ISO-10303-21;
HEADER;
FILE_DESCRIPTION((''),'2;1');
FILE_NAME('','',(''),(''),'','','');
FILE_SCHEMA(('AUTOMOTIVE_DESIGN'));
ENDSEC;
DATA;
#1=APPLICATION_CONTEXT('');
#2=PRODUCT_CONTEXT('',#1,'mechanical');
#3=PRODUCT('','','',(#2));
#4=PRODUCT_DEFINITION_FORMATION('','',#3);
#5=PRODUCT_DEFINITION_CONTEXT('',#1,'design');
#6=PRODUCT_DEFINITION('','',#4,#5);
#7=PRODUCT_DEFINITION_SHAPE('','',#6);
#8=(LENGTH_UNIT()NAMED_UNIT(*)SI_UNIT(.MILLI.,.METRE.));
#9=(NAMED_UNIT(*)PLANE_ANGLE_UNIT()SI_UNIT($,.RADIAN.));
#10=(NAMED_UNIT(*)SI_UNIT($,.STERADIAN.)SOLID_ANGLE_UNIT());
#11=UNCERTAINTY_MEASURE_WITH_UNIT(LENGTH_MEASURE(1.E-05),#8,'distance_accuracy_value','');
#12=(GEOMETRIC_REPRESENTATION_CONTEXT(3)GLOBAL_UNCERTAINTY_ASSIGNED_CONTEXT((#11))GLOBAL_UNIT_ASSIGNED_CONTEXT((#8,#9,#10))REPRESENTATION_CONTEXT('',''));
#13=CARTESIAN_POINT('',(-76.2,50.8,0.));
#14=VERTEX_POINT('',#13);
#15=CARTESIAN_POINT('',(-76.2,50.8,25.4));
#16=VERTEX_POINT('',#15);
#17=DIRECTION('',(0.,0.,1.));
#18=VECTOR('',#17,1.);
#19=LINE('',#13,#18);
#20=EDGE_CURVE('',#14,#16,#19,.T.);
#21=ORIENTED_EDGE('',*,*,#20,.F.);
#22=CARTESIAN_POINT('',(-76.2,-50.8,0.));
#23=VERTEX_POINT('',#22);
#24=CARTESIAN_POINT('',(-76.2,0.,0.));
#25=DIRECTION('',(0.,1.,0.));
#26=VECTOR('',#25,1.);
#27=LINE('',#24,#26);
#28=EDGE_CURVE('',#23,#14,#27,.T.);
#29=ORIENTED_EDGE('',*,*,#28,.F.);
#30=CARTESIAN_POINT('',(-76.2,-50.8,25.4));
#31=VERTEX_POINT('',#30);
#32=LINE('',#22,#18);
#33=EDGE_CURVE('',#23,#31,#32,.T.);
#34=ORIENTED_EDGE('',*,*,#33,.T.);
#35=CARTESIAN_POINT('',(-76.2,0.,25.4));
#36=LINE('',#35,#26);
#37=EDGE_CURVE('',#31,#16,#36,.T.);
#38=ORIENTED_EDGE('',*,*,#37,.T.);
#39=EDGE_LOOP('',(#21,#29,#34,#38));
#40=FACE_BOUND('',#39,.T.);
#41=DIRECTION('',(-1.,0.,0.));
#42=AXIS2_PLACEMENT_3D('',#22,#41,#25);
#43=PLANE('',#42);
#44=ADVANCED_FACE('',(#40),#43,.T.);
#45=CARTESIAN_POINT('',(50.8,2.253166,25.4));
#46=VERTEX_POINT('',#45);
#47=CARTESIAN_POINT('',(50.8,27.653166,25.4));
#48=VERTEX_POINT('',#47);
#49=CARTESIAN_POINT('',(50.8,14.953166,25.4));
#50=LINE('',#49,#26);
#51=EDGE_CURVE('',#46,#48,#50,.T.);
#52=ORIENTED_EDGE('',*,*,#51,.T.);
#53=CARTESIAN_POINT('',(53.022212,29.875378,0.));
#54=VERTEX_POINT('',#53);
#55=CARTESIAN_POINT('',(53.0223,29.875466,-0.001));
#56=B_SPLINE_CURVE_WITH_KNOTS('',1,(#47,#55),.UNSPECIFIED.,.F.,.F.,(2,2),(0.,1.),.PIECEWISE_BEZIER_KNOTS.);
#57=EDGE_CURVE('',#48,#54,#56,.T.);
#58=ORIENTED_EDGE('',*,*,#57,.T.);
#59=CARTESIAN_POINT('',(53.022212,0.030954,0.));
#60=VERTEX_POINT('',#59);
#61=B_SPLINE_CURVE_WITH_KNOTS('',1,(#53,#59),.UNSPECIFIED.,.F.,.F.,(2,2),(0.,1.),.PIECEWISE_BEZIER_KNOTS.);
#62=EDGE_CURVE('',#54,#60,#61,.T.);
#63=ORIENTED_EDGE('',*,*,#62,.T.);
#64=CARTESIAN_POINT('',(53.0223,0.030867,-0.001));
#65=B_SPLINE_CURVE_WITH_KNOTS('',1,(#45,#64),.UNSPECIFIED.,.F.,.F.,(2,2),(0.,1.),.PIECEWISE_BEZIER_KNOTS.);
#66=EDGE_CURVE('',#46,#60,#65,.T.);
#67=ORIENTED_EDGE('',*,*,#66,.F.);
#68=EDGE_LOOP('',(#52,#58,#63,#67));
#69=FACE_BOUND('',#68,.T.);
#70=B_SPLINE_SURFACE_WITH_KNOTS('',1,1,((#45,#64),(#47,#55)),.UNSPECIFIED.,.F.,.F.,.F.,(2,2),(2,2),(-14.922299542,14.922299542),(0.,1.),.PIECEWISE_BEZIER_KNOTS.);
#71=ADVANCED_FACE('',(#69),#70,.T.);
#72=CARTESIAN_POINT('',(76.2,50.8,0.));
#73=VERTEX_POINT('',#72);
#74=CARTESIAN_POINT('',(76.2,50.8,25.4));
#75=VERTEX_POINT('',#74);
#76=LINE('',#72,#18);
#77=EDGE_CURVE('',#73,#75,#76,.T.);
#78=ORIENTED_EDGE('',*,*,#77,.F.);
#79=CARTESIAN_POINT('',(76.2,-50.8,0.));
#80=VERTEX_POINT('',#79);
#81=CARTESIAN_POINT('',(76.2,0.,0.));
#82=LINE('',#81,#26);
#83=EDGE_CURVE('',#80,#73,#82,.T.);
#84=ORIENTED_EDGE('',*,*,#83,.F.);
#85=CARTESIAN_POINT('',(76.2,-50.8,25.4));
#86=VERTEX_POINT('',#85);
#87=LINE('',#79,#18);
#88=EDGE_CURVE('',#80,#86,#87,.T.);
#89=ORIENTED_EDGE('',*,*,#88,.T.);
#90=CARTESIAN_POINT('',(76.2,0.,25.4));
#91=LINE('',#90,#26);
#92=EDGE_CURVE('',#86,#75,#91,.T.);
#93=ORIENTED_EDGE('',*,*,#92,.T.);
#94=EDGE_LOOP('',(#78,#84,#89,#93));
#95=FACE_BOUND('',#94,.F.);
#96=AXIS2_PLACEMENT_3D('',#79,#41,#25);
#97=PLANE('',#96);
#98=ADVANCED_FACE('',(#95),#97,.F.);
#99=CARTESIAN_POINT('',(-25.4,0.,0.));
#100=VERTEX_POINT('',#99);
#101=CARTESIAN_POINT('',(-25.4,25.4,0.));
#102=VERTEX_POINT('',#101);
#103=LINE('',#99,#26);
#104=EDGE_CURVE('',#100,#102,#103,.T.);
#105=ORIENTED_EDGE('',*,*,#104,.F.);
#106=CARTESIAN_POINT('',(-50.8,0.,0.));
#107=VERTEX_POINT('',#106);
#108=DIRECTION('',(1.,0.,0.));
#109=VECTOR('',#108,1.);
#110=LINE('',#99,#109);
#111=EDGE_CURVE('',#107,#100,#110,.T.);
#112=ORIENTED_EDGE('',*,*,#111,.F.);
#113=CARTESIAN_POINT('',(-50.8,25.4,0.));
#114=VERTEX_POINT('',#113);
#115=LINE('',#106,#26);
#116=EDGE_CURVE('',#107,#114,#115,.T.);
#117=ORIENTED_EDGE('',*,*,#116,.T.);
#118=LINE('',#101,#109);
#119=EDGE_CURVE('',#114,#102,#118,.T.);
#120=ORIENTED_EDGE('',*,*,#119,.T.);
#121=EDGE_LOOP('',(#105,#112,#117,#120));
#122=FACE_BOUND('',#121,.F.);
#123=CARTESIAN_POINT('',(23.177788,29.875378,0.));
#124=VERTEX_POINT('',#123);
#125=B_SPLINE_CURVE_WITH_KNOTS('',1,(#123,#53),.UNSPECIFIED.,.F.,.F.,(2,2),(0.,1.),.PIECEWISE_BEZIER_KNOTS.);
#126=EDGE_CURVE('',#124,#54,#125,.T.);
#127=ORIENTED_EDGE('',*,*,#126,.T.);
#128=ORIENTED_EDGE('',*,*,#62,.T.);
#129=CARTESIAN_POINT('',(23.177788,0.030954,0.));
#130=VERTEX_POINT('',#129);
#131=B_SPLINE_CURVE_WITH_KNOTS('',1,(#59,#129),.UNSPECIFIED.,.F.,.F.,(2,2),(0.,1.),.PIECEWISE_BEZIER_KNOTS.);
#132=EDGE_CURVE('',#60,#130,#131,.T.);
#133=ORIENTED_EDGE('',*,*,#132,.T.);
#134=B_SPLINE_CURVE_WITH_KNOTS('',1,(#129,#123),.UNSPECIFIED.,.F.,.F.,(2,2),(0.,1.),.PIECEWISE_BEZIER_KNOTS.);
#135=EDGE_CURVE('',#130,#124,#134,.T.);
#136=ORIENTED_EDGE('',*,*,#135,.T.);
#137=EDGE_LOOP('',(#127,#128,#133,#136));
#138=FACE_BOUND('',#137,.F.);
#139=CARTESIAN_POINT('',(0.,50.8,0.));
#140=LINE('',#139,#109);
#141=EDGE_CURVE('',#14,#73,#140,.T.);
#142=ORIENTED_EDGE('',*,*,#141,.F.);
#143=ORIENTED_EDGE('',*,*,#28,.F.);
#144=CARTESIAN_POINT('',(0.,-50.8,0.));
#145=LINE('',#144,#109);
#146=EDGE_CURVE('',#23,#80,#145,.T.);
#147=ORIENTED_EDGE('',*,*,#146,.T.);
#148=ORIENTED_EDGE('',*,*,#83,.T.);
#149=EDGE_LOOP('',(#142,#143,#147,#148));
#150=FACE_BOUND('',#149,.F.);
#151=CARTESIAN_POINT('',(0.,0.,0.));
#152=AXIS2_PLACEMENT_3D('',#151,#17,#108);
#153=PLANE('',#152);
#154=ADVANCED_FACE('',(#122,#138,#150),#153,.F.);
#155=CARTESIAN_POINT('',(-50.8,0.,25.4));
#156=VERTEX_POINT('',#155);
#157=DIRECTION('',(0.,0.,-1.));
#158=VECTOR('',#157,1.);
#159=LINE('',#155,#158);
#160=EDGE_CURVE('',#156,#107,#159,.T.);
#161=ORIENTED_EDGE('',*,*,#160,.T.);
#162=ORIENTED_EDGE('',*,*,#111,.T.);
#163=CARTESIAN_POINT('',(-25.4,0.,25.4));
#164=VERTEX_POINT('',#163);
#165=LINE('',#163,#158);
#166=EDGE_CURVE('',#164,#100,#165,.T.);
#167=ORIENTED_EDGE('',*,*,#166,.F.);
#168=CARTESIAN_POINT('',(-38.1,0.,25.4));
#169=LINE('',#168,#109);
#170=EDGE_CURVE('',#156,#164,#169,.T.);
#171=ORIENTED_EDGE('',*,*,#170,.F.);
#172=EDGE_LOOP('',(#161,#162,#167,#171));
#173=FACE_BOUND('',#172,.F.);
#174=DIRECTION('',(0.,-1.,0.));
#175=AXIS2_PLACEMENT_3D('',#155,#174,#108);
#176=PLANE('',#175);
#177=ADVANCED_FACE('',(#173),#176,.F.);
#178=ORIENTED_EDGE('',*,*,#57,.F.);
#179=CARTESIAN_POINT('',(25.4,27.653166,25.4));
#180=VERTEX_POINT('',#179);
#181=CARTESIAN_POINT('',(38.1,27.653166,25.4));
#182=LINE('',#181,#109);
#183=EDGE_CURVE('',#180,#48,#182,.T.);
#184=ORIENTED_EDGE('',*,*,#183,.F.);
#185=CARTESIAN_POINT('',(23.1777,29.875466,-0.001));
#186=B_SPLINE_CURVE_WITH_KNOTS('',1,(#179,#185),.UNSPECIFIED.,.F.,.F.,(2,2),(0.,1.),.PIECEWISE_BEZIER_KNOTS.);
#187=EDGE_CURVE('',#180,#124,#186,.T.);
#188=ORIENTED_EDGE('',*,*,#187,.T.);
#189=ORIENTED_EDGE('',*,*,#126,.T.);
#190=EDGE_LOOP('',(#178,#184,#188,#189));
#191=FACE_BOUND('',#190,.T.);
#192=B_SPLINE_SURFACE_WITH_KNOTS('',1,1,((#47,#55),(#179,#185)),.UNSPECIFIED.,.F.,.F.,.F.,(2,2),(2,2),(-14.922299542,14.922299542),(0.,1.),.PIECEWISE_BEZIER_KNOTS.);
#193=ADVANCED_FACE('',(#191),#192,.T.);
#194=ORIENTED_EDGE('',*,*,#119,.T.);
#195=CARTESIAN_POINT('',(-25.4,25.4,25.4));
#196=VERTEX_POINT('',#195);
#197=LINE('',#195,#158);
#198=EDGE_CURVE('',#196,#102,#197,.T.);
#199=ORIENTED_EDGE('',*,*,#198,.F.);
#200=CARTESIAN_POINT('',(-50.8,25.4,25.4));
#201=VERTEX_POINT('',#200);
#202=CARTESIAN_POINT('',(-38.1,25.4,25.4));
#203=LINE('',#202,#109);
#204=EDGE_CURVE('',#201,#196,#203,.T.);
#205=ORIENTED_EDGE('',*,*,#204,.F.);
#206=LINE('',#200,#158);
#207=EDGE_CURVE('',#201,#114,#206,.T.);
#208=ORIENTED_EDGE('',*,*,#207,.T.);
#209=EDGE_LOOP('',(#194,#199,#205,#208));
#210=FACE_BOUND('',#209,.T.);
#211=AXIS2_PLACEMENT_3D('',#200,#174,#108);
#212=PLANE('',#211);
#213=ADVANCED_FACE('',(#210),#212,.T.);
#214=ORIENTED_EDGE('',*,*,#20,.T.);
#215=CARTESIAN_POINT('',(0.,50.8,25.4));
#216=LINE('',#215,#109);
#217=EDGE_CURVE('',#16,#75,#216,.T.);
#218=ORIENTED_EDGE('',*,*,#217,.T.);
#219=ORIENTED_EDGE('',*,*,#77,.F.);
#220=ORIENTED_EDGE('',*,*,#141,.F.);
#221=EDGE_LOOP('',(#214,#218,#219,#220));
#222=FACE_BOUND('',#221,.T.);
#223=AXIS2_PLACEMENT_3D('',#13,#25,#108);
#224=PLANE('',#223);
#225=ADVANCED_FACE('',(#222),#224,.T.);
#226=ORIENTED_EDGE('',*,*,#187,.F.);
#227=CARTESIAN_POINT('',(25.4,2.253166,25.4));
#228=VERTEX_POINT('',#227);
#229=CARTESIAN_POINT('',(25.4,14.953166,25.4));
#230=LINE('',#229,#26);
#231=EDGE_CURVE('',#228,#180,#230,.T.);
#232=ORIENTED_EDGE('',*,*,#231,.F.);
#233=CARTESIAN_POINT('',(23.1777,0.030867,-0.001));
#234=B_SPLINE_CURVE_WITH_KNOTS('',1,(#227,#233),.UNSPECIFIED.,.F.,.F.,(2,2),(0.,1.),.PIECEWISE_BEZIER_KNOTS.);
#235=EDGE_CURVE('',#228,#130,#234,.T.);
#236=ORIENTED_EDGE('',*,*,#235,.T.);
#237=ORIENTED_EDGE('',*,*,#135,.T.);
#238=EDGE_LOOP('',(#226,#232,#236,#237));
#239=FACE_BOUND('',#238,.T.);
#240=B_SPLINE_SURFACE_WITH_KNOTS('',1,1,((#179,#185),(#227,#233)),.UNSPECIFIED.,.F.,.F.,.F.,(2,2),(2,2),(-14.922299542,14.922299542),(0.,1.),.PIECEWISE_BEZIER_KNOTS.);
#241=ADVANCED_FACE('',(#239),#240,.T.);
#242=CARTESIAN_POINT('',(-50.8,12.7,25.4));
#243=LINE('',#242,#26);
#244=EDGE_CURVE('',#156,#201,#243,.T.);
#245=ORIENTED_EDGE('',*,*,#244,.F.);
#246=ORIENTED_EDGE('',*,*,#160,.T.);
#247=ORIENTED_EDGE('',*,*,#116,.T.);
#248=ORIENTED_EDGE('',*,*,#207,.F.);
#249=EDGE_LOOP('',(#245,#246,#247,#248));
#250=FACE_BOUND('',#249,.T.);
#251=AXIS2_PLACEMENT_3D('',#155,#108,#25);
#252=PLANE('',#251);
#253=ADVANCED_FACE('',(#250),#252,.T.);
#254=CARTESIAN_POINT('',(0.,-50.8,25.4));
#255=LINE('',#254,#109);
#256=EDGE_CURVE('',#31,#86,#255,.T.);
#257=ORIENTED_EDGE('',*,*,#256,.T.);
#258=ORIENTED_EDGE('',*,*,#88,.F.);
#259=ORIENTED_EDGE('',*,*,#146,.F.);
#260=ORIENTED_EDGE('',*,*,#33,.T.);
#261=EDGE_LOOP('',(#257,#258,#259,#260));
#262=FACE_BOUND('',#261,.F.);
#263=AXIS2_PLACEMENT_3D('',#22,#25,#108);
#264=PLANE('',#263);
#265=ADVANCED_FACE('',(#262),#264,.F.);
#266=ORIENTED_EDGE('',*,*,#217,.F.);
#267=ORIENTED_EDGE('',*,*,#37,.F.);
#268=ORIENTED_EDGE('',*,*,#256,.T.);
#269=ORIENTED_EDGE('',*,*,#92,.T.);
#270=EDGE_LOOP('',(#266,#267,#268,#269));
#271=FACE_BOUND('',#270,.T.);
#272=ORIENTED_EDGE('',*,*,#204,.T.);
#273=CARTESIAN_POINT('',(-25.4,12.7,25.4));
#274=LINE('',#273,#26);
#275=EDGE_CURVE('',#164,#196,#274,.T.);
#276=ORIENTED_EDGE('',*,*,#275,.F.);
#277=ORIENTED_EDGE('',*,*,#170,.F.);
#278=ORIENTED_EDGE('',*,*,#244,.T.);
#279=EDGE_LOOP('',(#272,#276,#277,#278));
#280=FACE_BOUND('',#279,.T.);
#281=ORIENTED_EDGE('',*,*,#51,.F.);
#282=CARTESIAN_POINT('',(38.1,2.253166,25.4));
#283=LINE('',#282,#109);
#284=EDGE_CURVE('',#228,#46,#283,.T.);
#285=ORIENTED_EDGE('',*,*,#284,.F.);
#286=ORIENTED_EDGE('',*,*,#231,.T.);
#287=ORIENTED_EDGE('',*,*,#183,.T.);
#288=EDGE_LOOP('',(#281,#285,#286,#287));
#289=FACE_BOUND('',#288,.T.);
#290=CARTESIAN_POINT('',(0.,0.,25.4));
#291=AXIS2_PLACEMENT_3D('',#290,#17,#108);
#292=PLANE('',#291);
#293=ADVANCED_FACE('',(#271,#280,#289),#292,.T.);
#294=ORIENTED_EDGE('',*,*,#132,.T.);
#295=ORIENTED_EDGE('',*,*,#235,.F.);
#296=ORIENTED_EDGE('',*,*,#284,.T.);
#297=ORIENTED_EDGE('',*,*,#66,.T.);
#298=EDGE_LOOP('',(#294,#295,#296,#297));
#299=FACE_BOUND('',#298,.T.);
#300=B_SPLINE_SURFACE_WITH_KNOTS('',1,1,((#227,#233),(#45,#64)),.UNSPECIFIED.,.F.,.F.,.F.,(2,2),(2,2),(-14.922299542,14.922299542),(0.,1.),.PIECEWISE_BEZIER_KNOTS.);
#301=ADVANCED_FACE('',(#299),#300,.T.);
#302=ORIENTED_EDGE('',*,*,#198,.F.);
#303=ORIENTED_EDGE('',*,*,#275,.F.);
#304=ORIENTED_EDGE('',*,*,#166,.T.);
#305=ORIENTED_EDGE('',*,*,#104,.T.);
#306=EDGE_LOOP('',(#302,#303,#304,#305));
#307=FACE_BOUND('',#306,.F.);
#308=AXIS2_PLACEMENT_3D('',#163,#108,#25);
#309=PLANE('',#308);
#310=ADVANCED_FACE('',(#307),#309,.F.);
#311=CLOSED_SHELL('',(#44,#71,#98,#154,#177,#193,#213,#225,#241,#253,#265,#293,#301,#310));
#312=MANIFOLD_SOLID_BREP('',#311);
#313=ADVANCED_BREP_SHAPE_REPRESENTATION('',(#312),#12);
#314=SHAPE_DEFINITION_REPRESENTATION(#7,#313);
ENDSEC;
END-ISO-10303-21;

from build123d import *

# Parameters (mm, degrees)
F0_W     = 152.4
F0_H     = 101.6
F1_DEPTH = 25.4
F2_W     = 25.4
F2_H     = 25.4
F3_DEPTH = 25.401
F4_W     = 25.4
F4_H     = 25.4
F5_DEPTH = 25.401
F5_TAPER = -5


with BuildPart() as f1:
    # F0 (on Top) → F1 (new body)
    with BuildSketch(Plane.XY):
        Rectangle(F0_W, F0_H)
    extrude(amount=F1_DEPTH)

    # F2 (on face) → F3 (cut, through all)
    with BuildSketch(Plane.XY.offset(25.4)):
        with Locations((-38.1, 12.7)):
            Rectangle(F2_W, F2_H)
    extrude(amount=-F3_DEPTH, mode=Mode.SUBTRACT)

    # F4 (on face) → F5 (cut, through all)
    with BuildSketch(Plane.XY.offset(25.4)):
        with Locations((38.1, 14.9531663823)):
            Rectangle(F4_W, F4_H)
    extrude(amount=-F5_DEPTH, taper=F5_TAPER, mode=Mode.SUBTRACT)


solid = f1.part
